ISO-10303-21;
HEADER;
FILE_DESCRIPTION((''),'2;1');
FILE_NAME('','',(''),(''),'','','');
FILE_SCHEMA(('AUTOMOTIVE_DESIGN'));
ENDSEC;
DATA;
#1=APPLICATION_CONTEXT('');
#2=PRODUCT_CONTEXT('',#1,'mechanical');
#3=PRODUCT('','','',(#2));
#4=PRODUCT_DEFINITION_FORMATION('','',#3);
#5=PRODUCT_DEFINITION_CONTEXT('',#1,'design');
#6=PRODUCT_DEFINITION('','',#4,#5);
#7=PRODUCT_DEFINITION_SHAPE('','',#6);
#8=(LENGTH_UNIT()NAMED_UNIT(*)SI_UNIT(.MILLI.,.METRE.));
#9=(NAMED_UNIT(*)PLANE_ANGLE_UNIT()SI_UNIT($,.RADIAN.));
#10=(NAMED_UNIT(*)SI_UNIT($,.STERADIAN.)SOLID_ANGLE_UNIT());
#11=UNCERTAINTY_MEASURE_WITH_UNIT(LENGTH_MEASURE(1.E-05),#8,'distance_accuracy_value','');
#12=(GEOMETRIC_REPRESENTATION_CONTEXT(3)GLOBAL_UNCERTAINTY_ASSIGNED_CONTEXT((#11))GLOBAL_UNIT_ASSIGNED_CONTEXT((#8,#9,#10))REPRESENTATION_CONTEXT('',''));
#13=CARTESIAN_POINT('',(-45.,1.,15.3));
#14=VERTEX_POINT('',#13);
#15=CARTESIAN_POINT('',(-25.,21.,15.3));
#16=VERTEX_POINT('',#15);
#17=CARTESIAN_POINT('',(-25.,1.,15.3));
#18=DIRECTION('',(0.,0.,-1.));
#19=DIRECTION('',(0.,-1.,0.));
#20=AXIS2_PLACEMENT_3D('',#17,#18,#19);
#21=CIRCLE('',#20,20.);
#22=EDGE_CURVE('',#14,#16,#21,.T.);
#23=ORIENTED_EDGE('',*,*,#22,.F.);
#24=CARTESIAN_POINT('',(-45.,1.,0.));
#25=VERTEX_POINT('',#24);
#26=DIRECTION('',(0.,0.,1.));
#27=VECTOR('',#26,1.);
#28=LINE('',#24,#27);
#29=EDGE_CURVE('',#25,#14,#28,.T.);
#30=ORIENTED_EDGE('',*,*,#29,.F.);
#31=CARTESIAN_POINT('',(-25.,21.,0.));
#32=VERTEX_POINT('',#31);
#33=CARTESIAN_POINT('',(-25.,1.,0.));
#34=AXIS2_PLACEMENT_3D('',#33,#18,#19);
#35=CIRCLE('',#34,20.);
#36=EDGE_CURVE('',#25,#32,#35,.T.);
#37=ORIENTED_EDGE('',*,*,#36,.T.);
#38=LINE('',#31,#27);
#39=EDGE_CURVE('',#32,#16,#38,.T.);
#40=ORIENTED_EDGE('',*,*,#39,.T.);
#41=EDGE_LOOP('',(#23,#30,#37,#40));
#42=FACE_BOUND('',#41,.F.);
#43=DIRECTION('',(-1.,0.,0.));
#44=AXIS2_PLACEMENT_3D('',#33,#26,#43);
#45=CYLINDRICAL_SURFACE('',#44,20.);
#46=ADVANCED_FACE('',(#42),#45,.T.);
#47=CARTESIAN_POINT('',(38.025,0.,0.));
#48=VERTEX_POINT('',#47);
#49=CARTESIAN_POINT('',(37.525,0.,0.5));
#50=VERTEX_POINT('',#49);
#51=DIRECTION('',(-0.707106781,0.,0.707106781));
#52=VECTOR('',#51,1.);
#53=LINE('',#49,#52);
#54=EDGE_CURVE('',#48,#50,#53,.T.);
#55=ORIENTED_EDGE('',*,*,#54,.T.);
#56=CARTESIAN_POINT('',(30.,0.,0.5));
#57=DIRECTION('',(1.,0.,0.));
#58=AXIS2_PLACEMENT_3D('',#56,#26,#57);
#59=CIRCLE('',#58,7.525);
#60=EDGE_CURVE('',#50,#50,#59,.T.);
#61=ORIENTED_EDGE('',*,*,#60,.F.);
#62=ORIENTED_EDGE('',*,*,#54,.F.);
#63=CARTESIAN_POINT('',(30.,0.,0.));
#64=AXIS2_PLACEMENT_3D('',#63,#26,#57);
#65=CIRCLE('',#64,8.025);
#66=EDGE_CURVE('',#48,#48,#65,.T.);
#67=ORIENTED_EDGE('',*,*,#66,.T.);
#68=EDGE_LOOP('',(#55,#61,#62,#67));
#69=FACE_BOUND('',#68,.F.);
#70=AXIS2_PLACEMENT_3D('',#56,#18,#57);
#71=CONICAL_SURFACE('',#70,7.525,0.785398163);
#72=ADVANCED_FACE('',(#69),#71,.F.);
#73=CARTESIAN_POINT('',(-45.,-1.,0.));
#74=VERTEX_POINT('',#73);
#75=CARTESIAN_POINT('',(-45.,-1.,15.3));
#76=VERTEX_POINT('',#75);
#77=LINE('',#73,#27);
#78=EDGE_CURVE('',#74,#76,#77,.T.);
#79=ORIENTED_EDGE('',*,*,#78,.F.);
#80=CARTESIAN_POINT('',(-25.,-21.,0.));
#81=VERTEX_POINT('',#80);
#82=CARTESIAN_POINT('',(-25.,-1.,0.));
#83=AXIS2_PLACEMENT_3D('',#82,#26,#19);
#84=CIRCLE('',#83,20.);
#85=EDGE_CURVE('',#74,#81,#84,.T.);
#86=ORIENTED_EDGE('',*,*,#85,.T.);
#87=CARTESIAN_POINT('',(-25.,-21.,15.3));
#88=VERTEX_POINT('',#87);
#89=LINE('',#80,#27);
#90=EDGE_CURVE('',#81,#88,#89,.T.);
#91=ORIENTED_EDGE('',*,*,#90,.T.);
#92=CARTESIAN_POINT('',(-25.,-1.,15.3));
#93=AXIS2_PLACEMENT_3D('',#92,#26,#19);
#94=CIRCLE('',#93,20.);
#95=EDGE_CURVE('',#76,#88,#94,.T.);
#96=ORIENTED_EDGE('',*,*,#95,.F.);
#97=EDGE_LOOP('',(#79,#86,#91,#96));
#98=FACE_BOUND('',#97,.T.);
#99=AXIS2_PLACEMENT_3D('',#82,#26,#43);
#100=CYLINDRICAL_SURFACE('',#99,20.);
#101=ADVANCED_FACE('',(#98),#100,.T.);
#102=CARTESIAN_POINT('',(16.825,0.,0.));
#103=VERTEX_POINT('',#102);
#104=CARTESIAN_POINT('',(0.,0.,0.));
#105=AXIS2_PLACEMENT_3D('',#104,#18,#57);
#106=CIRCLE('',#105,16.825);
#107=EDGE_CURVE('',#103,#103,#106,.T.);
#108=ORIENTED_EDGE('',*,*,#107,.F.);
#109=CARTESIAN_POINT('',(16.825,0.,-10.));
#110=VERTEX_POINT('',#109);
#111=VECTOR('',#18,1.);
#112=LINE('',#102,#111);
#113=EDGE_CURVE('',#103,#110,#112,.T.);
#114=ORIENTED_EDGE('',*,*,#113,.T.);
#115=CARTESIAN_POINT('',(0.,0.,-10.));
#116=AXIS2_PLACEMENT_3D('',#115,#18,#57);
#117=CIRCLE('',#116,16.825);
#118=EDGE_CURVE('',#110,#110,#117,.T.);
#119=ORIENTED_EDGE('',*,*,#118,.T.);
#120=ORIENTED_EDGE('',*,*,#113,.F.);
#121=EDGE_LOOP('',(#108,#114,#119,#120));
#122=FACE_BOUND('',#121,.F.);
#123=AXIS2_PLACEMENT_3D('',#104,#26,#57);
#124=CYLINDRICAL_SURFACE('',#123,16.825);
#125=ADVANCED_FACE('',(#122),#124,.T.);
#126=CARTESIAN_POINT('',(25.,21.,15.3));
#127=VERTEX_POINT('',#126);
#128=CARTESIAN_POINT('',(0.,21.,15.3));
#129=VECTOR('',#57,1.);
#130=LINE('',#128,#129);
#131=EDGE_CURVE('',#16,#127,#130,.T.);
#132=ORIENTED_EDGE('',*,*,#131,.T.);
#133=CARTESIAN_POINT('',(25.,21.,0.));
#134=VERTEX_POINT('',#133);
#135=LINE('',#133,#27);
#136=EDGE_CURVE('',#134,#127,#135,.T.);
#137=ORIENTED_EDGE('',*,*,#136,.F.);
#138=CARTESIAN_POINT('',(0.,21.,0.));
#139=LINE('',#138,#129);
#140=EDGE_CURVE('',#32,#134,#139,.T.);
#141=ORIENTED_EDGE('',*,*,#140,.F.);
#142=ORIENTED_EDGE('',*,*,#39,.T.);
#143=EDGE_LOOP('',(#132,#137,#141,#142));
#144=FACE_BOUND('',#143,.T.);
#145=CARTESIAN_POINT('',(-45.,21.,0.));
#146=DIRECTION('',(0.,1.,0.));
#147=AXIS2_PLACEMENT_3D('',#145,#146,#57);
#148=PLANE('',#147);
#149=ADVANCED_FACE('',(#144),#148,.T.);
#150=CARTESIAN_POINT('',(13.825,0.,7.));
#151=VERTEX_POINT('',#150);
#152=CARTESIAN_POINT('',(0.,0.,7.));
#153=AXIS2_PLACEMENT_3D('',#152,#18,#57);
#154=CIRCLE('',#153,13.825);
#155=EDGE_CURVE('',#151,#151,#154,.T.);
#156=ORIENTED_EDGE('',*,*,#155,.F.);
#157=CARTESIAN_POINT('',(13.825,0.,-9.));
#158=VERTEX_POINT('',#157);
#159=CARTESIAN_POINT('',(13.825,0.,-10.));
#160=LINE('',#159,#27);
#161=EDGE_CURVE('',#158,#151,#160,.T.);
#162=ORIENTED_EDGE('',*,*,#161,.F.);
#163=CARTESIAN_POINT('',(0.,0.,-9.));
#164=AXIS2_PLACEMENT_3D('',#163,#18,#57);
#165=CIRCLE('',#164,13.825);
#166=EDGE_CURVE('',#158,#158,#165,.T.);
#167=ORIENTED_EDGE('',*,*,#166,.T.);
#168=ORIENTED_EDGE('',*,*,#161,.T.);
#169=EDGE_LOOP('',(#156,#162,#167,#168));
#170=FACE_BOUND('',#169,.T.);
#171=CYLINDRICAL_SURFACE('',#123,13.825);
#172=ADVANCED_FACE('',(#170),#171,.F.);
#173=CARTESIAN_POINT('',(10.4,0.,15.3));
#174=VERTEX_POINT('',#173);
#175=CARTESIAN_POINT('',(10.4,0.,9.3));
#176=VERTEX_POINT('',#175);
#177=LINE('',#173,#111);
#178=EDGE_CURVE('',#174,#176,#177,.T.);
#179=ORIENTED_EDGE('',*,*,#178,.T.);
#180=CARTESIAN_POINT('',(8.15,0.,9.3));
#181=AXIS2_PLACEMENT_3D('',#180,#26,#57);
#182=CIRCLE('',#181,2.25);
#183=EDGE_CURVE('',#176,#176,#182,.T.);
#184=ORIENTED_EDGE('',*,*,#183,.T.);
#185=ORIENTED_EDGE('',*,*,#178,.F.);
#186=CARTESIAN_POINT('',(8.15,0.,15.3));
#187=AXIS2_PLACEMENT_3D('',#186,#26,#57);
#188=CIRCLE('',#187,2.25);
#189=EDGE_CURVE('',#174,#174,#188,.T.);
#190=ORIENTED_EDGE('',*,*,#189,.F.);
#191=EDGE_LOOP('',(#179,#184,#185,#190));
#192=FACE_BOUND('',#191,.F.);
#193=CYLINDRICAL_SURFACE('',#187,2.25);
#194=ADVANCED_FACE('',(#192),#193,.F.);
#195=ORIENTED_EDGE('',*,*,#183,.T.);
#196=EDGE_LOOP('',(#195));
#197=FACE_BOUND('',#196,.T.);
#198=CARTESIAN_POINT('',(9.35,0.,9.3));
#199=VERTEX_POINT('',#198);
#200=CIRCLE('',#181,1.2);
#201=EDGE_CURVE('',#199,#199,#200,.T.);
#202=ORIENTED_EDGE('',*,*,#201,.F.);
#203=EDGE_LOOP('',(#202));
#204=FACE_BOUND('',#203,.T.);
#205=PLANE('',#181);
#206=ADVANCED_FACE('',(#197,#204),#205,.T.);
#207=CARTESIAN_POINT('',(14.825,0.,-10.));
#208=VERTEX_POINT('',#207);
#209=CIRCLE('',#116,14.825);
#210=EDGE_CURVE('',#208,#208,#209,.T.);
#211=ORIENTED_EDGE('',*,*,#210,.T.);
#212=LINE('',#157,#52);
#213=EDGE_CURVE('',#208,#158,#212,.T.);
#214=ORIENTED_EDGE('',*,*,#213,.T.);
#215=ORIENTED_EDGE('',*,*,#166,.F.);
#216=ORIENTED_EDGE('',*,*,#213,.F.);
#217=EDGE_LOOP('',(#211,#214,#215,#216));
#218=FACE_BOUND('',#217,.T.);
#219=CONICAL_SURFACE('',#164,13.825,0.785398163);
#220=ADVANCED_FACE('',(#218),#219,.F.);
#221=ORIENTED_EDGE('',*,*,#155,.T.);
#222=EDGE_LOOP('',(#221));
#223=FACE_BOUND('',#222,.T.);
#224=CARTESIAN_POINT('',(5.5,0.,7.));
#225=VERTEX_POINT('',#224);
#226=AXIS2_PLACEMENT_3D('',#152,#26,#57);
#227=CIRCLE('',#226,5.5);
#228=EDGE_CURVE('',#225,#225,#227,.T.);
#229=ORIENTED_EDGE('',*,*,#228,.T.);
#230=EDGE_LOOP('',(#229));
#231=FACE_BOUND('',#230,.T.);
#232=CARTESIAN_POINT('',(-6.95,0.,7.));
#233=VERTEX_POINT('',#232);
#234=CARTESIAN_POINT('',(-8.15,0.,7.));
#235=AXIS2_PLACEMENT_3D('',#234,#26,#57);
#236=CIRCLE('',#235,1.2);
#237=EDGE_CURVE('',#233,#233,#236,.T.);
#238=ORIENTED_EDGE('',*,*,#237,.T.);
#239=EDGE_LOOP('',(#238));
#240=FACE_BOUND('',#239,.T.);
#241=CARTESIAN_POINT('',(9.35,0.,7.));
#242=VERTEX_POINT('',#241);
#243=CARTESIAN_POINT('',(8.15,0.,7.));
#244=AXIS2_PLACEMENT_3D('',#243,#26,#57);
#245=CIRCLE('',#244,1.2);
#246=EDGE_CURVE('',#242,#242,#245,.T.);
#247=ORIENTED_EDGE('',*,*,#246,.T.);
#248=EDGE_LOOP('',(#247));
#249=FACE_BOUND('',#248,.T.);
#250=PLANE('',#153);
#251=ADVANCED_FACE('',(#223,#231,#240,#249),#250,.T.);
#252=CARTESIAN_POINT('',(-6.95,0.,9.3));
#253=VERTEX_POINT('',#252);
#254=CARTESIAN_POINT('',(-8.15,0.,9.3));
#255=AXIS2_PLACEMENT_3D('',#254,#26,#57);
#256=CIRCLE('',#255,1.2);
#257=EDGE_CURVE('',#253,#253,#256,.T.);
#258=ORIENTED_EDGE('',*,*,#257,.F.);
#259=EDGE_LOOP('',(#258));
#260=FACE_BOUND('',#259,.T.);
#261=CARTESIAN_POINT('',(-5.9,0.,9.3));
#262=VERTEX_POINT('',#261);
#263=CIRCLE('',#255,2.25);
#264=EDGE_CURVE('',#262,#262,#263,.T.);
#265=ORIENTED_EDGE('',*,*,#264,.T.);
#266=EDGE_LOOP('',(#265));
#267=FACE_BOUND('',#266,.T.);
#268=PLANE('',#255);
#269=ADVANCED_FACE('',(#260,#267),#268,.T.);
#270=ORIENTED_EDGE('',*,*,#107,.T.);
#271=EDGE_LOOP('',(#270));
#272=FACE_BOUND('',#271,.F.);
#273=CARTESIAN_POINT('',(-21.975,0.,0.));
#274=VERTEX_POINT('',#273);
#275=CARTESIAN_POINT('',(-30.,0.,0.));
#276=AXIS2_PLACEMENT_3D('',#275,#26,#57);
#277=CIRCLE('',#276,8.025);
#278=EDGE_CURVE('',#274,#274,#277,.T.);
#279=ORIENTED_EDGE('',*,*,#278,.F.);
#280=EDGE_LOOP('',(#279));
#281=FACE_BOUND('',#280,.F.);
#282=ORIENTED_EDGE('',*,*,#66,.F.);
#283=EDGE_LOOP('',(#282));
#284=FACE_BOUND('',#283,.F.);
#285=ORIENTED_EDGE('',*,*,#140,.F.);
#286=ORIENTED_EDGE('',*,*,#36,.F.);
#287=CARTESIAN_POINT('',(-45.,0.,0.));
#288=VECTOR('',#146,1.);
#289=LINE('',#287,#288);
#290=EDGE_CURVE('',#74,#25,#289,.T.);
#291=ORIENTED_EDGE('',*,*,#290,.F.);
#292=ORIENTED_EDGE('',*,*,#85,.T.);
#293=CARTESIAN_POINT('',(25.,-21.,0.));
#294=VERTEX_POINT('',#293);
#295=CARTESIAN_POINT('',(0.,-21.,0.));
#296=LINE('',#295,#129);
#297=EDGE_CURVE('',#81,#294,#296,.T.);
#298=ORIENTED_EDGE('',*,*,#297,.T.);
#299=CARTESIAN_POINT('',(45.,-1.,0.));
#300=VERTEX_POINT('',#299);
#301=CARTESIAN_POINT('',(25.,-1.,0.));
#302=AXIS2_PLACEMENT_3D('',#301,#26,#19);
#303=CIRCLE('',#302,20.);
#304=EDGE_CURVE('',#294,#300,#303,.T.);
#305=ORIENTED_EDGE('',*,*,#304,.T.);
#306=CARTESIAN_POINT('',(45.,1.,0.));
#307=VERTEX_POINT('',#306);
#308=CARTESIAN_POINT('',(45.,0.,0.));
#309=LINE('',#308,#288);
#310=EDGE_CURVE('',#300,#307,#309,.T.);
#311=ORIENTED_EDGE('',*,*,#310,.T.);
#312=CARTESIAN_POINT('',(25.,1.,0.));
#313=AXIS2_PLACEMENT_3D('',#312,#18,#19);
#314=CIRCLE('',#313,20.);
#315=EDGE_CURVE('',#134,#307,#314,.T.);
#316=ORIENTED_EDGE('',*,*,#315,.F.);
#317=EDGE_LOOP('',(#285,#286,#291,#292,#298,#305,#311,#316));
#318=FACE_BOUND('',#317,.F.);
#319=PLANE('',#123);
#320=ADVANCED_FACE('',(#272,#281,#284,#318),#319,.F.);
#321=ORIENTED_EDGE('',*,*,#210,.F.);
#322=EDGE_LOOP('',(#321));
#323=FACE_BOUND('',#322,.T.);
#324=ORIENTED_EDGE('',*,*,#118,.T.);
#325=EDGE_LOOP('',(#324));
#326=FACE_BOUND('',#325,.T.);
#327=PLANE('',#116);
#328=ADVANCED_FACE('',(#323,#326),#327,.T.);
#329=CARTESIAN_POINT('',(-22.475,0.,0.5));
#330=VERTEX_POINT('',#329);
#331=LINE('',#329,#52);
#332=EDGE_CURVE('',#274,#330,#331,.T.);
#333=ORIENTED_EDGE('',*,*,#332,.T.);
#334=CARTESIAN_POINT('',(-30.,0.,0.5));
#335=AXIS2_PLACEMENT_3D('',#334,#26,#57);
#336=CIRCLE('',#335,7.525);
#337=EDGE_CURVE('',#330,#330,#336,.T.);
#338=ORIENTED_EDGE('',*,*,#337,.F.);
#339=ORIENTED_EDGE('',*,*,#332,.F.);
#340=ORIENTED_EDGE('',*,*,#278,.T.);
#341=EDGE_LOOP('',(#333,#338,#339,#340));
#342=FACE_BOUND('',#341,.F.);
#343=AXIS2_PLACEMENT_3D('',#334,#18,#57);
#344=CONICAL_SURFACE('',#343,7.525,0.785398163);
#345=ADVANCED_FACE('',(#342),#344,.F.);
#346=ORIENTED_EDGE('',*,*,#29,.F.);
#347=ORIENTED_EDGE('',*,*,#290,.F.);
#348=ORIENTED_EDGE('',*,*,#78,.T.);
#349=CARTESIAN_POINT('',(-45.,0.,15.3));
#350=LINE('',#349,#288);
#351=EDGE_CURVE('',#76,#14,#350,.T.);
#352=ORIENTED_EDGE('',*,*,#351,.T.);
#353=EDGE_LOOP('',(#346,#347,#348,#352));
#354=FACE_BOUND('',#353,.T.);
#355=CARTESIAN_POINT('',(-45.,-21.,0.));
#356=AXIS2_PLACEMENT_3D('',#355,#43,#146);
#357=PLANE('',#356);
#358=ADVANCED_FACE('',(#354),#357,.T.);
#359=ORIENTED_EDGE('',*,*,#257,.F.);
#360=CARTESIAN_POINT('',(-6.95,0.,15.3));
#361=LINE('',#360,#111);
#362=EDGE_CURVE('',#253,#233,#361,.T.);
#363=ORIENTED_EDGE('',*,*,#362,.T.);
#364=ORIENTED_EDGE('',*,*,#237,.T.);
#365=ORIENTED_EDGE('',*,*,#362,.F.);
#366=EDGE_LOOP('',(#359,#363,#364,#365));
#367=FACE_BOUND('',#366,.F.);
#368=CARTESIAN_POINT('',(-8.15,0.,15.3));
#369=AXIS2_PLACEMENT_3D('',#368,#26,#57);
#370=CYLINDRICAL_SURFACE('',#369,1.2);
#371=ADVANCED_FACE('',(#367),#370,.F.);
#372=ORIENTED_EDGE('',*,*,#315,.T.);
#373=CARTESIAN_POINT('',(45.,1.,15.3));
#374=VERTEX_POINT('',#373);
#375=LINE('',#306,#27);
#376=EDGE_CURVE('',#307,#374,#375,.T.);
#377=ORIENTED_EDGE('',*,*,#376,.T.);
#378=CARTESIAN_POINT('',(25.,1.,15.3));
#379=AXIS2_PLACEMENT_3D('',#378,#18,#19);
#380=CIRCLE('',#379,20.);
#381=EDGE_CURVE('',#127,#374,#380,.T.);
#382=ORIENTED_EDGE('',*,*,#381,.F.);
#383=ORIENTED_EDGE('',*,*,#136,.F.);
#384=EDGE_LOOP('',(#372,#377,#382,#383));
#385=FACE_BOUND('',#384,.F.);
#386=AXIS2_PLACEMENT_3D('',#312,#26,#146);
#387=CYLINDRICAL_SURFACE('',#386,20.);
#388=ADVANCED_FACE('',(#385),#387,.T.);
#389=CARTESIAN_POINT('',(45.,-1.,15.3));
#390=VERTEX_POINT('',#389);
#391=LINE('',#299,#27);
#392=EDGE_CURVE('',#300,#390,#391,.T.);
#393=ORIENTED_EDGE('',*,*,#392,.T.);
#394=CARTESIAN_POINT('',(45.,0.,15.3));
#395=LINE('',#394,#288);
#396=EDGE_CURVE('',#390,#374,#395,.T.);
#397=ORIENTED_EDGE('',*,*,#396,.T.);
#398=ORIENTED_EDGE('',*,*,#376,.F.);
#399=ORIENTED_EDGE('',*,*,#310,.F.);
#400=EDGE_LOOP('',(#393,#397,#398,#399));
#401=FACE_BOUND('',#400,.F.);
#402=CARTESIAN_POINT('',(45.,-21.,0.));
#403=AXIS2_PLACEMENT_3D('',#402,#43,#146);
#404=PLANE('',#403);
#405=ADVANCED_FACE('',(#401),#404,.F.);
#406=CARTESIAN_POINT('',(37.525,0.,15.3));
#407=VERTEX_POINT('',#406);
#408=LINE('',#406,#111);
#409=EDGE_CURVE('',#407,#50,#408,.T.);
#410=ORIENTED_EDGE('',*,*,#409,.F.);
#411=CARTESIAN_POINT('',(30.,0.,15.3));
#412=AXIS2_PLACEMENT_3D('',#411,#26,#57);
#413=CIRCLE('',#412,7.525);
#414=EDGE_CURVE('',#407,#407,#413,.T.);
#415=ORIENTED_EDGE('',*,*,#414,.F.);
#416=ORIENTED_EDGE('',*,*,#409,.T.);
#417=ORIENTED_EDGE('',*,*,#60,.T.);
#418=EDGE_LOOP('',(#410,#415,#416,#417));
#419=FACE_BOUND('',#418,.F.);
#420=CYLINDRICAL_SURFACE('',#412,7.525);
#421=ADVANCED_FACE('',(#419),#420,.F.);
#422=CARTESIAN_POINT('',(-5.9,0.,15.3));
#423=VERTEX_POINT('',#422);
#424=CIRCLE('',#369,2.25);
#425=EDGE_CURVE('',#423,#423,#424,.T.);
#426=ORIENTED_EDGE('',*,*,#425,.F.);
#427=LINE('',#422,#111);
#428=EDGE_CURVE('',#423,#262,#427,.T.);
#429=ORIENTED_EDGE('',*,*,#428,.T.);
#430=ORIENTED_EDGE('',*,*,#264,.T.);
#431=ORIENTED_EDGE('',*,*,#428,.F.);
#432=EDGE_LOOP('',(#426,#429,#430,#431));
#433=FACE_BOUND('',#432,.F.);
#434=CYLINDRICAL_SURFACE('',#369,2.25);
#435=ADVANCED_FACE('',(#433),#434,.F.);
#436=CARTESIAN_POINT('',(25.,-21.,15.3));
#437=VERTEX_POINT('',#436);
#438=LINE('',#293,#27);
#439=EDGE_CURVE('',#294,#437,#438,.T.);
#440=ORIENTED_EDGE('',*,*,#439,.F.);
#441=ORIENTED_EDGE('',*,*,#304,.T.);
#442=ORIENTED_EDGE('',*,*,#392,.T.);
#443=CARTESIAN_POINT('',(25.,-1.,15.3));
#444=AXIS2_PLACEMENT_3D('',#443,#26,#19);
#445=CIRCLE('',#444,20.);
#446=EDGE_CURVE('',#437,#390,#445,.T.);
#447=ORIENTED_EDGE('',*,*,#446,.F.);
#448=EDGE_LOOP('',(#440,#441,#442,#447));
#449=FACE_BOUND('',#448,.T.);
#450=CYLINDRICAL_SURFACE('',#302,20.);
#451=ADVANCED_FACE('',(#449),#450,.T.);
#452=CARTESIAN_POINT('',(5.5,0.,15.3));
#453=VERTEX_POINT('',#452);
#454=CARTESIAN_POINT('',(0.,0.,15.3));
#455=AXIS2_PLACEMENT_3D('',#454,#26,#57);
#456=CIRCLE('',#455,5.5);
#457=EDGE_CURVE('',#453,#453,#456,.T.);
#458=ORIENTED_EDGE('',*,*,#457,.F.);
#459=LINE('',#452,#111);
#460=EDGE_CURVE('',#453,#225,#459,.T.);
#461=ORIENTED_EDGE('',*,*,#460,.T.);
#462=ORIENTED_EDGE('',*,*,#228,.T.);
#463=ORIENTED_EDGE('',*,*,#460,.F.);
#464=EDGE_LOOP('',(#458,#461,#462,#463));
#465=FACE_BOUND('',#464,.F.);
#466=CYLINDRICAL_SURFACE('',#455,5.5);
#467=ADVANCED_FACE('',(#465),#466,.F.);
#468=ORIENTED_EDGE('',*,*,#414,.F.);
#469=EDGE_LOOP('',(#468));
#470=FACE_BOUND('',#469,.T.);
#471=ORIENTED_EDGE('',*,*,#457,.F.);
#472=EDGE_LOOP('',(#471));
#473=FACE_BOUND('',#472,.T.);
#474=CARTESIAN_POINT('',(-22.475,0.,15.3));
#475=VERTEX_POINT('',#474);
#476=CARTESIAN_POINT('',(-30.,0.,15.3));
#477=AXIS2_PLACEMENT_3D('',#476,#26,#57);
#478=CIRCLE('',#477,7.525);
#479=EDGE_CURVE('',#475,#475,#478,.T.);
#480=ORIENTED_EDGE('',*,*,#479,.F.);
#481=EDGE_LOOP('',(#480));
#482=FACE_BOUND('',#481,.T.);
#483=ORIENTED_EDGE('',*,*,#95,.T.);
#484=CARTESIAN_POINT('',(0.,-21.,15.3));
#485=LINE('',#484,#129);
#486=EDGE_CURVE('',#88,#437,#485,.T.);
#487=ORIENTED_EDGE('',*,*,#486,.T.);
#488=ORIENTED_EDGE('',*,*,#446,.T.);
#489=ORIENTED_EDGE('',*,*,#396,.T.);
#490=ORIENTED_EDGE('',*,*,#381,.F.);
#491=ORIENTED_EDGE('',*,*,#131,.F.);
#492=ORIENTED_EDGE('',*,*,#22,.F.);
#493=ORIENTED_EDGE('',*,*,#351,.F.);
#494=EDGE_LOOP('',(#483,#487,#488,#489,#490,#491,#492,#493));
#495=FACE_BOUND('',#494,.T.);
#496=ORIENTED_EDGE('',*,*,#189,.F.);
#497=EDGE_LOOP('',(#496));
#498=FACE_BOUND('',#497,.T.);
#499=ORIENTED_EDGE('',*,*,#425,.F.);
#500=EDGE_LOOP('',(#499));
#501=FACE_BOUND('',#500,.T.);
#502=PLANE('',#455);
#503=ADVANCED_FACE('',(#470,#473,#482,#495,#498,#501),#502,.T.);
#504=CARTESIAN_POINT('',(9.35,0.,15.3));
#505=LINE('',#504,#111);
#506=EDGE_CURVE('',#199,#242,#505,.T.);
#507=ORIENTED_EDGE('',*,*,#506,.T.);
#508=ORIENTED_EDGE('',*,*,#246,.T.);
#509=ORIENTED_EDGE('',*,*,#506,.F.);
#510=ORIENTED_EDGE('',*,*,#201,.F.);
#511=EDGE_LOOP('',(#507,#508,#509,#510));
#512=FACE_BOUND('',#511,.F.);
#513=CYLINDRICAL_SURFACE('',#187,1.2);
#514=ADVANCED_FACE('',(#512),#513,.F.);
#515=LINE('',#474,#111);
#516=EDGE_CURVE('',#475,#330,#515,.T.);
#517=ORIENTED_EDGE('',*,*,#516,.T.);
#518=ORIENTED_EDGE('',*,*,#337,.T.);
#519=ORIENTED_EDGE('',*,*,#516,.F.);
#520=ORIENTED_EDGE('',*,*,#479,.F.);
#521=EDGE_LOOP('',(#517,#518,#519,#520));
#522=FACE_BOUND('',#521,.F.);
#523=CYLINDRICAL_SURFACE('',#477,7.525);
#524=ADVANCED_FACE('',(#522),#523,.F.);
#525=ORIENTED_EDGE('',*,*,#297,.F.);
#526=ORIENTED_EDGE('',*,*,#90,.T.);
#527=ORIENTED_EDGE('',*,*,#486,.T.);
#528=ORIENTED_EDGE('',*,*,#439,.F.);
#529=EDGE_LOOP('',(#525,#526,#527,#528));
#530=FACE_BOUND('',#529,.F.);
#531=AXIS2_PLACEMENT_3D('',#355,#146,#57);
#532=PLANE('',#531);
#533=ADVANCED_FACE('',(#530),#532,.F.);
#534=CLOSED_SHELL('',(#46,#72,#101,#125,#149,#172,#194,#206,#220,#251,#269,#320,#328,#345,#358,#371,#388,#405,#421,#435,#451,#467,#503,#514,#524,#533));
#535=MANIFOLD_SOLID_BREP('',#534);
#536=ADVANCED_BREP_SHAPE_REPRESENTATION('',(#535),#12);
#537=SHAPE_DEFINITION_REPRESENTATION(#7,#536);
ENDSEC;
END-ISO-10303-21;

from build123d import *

# Parameters (mm, degrees)
F0_W      = 90
F0_H      = 42
F1_DEPTH  = 15.3
F2_R      = 20
F3_R      = 20
F4_R      = 13.825
F5_DEPTH  = 7
F6_R      = 5.5
F7_DEPTH  = 10
F8_R      = 7.525
F8_R_2    = 1.2
F9_DEPTH  = 18
F10_R     = 16.825
F10_R_2   = 13.825
F11_DEPTH = 10
F12_SIZE  = 1
F13_SIZE  = 0.5
F14_R     = 2.25
F15_DEPTH = 6


with BuildPart() as f1:
    # F0 (on Top) → F1 (new body)
    with BuildSketch(Plane.XY):
        Rectangle(F0_W, F0_H)
    extrude(amount=F1_DEPTH)

    # F2
    f2_edges = [f1.edges().sort_by_distance(p)[0] for p in [
        (-45, -21, 7.65),
        (-45, 21, 7.65),
    ]]
    fillet(f2_edges, radius=F2_R)

    # F3
    f3_edges = [f1.edges().sort_by_distance(p)[0] for p in [
        (45, 21, 7.65),
        (45, -21, 7.65),
    ]]
    fillet(f3_edges, radius=F3_R)

    # F4 (on face) → F5 (cut)
    with BuildSketch(Plane(origin=(0, 0, 0), x_dir=(1, 0, 0), z_dir=(0, 0, -1))):
        Circle(F4_R)
    extrude(amount=-F5_DEPTH, mode=Mode.SUBTRACT)

    # F6 (on face) → F7 (cut)
    with BuildSketch(Plane.XY.offset(15.3)):
        Circle(F6_R)
    extrude(amount=-F7_DEPTH, mode=Mode.SUBTRACT)

    # F8 (on face) → F9 (cut)
    with BuildSketch(Plane.XY.offset(15.3)):
        with Locations((-30, 0)):
            Circle(F8_R)
        with Locations((30, 0)):
            Circle(F8_R)
        with Locations((-8.15, 0)):
            Circle(F8_R_2)
        with Locations((8.15, 0)):
            Circle(F8_R_2)
    extrude(amount=-F9_DEPTH, mode=Mode.SUBTRACT)

    # F10 (on face) → F11 (join)
    with BuildSketch(Plane(origin=(0, 0, 0), x_dir=(1, 0, 0), z_dir=(0, 0, -1))):
        Circle(F10_R)
        Circle(F10_R_2, mode=Mode.SUBTRACT)
    extrude(amount=F11_DEPTH)

    # F12
    f12_edges = [f1.edges().sort_by_distance(p)[0] for p in [
        (-13.825, 0, -10),
    ]]
    chamfer(f12_edges, length=F12_SIZE)

    # F13
    f13_edges = [f1.edges().sort_by_distance(p)[0] for p in [
        (-37.525, 0, 0),
        (22.475, 0, 0),
    ]]
    chamfer(f13_edges, length=F13_SIZE)

    # F14 (on face) → F15 (cut)
    with BuildSketch(Plane.XY.offset(15.3)):
        with Locations((-8.15, 0)):
            Circle(F14_R)
        with Locations((8.15, 0)):
            Circle(F14_R)
    extrude(amount=-F15_DEPTH, mode=Mode.SUBTRACT)


solid = f1.part
